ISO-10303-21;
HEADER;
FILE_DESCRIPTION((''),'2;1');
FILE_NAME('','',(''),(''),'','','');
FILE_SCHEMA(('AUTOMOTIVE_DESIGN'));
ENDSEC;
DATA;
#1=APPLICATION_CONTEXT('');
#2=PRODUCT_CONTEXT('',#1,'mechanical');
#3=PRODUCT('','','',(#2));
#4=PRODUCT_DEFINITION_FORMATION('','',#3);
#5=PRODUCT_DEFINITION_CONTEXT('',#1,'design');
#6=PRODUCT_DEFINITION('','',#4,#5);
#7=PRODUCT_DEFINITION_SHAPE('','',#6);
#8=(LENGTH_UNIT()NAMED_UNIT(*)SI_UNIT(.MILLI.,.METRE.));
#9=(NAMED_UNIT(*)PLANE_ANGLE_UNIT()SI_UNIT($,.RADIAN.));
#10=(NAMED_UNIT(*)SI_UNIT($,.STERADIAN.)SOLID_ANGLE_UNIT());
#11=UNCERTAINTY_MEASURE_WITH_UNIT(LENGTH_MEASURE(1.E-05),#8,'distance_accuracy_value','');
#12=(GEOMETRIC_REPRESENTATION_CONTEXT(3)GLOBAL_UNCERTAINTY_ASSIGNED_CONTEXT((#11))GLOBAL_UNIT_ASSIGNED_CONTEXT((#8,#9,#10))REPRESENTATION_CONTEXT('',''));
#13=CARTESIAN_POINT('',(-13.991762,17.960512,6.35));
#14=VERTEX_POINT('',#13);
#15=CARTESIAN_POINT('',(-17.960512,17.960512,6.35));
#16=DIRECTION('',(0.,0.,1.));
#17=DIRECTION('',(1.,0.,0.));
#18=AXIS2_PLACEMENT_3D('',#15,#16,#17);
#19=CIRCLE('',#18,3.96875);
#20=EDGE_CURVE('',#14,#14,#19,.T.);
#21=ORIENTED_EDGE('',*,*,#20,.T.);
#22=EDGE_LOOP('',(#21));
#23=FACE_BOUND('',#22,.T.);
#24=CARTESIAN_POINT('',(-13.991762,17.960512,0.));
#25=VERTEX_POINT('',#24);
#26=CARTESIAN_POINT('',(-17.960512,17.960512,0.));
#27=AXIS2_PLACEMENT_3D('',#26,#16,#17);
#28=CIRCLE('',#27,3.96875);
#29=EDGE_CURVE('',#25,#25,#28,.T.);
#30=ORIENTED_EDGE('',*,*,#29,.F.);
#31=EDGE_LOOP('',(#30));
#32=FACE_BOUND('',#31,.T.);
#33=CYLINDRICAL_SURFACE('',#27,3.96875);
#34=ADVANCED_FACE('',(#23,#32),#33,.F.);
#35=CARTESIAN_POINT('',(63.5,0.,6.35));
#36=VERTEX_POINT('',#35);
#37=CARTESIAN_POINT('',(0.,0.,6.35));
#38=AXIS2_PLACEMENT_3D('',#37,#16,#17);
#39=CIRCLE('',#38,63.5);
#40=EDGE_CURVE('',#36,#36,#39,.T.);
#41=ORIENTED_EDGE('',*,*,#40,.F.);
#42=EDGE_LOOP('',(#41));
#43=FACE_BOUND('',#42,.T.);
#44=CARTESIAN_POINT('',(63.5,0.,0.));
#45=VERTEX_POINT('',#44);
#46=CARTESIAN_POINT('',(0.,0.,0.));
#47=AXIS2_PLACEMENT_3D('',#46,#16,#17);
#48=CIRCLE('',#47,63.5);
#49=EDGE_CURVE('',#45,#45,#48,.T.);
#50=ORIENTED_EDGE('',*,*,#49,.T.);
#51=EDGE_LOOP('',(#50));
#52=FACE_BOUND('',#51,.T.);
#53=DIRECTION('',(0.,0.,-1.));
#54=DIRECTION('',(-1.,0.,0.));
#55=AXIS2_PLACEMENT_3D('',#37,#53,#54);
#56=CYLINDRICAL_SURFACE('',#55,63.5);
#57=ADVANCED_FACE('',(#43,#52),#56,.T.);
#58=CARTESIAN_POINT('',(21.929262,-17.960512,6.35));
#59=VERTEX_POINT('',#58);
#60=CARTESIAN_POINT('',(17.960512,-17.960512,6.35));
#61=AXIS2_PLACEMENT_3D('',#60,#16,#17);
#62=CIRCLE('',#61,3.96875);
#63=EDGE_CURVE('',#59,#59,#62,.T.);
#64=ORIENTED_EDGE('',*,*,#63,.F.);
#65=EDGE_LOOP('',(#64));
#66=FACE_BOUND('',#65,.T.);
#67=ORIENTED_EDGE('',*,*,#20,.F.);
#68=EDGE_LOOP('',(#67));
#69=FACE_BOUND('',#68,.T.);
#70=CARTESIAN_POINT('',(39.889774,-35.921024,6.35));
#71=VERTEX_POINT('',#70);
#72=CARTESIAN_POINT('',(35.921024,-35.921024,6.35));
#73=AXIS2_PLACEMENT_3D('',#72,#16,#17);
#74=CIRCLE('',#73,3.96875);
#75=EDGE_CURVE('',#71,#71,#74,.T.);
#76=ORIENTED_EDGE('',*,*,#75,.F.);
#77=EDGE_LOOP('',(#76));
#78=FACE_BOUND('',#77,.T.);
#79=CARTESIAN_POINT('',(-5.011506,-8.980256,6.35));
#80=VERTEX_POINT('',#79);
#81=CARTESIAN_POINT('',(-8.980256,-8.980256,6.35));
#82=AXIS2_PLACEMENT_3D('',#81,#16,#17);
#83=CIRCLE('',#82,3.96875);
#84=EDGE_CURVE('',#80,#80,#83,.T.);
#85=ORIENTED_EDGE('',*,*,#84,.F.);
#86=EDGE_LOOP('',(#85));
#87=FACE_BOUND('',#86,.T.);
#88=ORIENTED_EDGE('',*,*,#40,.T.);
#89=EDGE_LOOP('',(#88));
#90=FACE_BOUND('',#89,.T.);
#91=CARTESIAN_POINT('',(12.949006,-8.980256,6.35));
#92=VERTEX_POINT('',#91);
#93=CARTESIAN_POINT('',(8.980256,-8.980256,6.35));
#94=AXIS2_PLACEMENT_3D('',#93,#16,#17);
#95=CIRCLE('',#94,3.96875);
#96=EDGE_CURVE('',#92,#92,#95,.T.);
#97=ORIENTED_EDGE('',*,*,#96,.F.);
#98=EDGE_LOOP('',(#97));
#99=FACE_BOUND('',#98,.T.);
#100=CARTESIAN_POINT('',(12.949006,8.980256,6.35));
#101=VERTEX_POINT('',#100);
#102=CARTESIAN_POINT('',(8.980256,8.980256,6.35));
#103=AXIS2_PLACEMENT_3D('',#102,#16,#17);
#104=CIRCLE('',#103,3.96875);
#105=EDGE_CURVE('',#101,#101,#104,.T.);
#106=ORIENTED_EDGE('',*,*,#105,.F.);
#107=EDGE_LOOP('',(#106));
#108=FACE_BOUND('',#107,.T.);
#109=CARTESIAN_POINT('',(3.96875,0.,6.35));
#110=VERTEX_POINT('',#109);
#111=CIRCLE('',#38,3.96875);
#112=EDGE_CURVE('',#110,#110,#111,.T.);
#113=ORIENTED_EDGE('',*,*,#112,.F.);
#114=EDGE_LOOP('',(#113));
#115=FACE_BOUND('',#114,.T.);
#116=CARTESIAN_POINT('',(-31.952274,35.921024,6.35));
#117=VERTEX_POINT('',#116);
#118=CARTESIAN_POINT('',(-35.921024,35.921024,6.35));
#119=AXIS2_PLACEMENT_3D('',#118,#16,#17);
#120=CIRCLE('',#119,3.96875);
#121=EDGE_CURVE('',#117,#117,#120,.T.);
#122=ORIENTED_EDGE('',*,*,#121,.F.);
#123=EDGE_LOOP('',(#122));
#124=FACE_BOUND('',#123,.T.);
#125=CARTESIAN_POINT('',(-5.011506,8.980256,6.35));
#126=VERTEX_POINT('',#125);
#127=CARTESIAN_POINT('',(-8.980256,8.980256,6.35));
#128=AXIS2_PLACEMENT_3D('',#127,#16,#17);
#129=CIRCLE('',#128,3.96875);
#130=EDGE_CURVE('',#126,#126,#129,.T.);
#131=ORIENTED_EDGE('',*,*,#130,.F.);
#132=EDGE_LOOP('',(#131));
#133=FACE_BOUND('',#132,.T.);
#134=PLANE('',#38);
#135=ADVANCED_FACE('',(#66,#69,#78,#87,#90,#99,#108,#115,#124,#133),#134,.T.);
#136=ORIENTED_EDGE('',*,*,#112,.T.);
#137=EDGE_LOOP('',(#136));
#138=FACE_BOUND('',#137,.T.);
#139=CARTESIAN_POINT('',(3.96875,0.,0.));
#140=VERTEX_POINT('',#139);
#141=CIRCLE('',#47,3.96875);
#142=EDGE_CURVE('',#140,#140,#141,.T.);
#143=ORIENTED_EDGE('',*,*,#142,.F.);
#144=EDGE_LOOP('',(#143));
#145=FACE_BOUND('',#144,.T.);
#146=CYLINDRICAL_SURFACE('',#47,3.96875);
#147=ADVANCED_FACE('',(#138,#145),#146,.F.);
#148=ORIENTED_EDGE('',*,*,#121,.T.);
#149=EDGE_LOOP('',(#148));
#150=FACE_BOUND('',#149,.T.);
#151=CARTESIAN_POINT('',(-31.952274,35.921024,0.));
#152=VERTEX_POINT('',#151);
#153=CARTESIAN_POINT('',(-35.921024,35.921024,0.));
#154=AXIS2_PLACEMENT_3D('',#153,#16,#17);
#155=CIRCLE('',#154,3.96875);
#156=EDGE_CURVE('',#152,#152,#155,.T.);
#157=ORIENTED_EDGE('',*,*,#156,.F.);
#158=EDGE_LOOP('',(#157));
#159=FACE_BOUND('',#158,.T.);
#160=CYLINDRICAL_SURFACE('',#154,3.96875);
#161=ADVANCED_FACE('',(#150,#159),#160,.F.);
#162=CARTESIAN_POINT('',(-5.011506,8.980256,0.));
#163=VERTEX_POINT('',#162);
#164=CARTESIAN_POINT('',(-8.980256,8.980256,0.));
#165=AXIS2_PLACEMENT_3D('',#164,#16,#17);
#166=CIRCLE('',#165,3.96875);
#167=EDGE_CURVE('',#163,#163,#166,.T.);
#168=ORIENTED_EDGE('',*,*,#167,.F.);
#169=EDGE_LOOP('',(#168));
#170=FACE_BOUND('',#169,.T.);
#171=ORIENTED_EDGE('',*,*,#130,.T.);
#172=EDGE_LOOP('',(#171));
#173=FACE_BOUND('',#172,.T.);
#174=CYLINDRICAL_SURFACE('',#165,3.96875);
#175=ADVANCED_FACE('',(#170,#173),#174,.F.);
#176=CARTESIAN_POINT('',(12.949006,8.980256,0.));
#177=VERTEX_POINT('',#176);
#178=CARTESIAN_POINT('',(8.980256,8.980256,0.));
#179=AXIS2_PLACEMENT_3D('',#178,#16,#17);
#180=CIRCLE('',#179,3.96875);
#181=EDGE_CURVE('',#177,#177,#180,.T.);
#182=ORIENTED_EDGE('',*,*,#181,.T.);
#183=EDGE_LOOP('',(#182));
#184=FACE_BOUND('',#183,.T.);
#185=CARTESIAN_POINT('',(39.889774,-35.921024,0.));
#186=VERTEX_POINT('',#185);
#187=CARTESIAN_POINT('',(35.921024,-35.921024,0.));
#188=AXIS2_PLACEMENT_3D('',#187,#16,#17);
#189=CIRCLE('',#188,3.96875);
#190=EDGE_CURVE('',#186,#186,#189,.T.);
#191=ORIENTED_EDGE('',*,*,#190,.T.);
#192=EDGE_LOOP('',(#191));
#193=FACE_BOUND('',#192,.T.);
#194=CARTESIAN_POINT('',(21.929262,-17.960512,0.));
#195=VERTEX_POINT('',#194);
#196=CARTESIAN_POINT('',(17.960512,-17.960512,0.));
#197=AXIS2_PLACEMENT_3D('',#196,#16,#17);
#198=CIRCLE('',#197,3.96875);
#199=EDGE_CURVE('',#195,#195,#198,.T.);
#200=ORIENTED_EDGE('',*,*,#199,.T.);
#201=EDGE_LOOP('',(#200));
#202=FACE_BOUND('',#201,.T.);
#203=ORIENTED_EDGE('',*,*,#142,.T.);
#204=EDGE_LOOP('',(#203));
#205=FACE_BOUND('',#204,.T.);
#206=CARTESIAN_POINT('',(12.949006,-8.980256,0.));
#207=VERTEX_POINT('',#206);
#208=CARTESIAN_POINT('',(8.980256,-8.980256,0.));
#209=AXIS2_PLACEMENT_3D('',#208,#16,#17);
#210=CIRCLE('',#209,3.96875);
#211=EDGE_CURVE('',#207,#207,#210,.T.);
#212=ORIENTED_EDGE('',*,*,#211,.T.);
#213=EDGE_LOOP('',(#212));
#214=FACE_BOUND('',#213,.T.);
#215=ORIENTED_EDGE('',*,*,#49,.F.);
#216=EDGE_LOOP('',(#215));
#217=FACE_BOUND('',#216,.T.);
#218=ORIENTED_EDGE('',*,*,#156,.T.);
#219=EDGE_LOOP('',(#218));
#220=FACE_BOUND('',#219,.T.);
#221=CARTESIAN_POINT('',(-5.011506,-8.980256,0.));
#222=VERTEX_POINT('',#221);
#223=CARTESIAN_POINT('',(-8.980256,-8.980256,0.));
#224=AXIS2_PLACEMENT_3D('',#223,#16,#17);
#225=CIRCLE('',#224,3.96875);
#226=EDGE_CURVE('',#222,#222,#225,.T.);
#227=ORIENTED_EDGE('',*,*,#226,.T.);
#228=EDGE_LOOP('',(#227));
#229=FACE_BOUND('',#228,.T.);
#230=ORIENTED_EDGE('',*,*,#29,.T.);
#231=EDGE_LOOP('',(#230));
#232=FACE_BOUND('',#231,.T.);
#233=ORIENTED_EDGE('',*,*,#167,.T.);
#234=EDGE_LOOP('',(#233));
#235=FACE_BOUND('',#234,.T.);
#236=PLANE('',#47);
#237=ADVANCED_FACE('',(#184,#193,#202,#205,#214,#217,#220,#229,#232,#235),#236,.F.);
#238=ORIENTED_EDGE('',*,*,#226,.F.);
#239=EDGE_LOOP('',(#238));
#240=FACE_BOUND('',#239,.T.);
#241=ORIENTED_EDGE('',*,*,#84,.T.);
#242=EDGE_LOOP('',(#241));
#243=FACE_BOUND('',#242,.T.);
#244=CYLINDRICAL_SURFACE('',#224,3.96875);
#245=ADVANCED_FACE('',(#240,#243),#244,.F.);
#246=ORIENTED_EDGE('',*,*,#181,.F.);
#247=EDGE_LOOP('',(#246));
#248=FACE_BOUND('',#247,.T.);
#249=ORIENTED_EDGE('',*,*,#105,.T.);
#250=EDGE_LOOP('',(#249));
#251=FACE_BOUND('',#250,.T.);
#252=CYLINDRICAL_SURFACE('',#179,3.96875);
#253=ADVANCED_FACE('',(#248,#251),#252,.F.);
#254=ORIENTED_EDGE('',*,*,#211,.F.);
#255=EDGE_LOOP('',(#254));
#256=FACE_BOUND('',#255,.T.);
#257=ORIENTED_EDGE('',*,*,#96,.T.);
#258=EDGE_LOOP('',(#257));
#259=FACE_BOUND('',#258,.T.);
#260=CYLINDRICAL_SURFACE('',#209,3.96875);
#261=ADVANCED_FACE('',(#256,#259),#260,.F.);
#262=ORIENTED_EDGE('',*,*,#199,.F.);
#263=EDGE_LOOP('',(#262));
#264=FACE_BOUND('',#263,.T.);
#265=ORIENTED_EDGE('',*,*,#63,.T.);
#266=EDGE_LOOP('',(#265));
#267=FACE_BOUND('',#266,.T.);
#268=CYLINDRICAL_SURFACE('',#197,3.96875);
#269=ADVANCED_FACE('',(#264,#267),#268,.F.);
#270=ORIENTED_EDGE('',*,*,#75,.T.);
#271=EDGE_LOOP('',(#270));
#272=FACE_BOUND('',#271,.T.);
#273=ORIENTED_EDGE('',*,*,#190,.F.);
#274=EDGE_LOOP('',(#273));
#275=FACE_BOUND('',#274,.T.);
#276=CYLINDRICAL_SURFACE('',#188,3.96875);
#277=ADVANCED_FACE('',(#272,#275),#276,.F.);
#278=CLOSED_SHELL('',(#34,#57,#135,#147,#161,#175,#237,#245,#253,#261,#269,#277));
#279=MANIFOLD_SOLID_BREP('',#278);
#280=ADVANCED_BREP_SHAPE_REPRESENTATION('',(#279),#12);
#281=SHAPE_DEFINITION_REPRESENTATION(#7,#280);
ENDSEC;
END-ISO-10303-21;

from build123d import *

# Parameters (mm, degrees)
SKETCH1_R           = 63.5
BOSS_EXTRUDE1_DEPTH = 6.35
SKETCH2_R           = 3.96875
CUT_EXTRUDE1_DEPTH  = 7.35


with BuildPart() as part:
    # Sketch1 → Boss-Extrude1 (new body)
    with BuildSketch(Plane.XY):
        Circle(SKETCH1_R)
    extrude(amount=BOSS_EXTRUDE1_DEPTH)

    # Sketch2 → Cut-Extrude1 (cut, through all)
    with BuildSketch(Plane.XY.offset(6.35)):
        Circle(SKETCH2_R)
        with Locations((-8.980256121, 8.980256121)):
            Circle(SKETCH2_R)
        with Locations((8.980256121, -8.980256121)):
            Circle(SKETCH2_R)
        with Locations((8.980256121, 8.980256121)):
            Circle(SKETCH2_R)
        with Locations((-8.980256121, -8.980256121)):
            Circle(SKETCH2_R)
        with Locations((17.960512242, -17.960512242)):
            Circle(SKETCH2_R)
        with Locations((35.921024484, -35.921024484)):
            Circle(SKETCH2_R)
        with Locations((-17.960512242, 17.960512242)):
            Circle(SKETCH2_R)
        with Locations((-35.921024484, 35.921024484)):
            Circle(SKETCH2_R)
    extrude(amount=-CUT_EXTRUDE1_DEPTH, mode=Mode.SUBTRACT)


solid = part.part
